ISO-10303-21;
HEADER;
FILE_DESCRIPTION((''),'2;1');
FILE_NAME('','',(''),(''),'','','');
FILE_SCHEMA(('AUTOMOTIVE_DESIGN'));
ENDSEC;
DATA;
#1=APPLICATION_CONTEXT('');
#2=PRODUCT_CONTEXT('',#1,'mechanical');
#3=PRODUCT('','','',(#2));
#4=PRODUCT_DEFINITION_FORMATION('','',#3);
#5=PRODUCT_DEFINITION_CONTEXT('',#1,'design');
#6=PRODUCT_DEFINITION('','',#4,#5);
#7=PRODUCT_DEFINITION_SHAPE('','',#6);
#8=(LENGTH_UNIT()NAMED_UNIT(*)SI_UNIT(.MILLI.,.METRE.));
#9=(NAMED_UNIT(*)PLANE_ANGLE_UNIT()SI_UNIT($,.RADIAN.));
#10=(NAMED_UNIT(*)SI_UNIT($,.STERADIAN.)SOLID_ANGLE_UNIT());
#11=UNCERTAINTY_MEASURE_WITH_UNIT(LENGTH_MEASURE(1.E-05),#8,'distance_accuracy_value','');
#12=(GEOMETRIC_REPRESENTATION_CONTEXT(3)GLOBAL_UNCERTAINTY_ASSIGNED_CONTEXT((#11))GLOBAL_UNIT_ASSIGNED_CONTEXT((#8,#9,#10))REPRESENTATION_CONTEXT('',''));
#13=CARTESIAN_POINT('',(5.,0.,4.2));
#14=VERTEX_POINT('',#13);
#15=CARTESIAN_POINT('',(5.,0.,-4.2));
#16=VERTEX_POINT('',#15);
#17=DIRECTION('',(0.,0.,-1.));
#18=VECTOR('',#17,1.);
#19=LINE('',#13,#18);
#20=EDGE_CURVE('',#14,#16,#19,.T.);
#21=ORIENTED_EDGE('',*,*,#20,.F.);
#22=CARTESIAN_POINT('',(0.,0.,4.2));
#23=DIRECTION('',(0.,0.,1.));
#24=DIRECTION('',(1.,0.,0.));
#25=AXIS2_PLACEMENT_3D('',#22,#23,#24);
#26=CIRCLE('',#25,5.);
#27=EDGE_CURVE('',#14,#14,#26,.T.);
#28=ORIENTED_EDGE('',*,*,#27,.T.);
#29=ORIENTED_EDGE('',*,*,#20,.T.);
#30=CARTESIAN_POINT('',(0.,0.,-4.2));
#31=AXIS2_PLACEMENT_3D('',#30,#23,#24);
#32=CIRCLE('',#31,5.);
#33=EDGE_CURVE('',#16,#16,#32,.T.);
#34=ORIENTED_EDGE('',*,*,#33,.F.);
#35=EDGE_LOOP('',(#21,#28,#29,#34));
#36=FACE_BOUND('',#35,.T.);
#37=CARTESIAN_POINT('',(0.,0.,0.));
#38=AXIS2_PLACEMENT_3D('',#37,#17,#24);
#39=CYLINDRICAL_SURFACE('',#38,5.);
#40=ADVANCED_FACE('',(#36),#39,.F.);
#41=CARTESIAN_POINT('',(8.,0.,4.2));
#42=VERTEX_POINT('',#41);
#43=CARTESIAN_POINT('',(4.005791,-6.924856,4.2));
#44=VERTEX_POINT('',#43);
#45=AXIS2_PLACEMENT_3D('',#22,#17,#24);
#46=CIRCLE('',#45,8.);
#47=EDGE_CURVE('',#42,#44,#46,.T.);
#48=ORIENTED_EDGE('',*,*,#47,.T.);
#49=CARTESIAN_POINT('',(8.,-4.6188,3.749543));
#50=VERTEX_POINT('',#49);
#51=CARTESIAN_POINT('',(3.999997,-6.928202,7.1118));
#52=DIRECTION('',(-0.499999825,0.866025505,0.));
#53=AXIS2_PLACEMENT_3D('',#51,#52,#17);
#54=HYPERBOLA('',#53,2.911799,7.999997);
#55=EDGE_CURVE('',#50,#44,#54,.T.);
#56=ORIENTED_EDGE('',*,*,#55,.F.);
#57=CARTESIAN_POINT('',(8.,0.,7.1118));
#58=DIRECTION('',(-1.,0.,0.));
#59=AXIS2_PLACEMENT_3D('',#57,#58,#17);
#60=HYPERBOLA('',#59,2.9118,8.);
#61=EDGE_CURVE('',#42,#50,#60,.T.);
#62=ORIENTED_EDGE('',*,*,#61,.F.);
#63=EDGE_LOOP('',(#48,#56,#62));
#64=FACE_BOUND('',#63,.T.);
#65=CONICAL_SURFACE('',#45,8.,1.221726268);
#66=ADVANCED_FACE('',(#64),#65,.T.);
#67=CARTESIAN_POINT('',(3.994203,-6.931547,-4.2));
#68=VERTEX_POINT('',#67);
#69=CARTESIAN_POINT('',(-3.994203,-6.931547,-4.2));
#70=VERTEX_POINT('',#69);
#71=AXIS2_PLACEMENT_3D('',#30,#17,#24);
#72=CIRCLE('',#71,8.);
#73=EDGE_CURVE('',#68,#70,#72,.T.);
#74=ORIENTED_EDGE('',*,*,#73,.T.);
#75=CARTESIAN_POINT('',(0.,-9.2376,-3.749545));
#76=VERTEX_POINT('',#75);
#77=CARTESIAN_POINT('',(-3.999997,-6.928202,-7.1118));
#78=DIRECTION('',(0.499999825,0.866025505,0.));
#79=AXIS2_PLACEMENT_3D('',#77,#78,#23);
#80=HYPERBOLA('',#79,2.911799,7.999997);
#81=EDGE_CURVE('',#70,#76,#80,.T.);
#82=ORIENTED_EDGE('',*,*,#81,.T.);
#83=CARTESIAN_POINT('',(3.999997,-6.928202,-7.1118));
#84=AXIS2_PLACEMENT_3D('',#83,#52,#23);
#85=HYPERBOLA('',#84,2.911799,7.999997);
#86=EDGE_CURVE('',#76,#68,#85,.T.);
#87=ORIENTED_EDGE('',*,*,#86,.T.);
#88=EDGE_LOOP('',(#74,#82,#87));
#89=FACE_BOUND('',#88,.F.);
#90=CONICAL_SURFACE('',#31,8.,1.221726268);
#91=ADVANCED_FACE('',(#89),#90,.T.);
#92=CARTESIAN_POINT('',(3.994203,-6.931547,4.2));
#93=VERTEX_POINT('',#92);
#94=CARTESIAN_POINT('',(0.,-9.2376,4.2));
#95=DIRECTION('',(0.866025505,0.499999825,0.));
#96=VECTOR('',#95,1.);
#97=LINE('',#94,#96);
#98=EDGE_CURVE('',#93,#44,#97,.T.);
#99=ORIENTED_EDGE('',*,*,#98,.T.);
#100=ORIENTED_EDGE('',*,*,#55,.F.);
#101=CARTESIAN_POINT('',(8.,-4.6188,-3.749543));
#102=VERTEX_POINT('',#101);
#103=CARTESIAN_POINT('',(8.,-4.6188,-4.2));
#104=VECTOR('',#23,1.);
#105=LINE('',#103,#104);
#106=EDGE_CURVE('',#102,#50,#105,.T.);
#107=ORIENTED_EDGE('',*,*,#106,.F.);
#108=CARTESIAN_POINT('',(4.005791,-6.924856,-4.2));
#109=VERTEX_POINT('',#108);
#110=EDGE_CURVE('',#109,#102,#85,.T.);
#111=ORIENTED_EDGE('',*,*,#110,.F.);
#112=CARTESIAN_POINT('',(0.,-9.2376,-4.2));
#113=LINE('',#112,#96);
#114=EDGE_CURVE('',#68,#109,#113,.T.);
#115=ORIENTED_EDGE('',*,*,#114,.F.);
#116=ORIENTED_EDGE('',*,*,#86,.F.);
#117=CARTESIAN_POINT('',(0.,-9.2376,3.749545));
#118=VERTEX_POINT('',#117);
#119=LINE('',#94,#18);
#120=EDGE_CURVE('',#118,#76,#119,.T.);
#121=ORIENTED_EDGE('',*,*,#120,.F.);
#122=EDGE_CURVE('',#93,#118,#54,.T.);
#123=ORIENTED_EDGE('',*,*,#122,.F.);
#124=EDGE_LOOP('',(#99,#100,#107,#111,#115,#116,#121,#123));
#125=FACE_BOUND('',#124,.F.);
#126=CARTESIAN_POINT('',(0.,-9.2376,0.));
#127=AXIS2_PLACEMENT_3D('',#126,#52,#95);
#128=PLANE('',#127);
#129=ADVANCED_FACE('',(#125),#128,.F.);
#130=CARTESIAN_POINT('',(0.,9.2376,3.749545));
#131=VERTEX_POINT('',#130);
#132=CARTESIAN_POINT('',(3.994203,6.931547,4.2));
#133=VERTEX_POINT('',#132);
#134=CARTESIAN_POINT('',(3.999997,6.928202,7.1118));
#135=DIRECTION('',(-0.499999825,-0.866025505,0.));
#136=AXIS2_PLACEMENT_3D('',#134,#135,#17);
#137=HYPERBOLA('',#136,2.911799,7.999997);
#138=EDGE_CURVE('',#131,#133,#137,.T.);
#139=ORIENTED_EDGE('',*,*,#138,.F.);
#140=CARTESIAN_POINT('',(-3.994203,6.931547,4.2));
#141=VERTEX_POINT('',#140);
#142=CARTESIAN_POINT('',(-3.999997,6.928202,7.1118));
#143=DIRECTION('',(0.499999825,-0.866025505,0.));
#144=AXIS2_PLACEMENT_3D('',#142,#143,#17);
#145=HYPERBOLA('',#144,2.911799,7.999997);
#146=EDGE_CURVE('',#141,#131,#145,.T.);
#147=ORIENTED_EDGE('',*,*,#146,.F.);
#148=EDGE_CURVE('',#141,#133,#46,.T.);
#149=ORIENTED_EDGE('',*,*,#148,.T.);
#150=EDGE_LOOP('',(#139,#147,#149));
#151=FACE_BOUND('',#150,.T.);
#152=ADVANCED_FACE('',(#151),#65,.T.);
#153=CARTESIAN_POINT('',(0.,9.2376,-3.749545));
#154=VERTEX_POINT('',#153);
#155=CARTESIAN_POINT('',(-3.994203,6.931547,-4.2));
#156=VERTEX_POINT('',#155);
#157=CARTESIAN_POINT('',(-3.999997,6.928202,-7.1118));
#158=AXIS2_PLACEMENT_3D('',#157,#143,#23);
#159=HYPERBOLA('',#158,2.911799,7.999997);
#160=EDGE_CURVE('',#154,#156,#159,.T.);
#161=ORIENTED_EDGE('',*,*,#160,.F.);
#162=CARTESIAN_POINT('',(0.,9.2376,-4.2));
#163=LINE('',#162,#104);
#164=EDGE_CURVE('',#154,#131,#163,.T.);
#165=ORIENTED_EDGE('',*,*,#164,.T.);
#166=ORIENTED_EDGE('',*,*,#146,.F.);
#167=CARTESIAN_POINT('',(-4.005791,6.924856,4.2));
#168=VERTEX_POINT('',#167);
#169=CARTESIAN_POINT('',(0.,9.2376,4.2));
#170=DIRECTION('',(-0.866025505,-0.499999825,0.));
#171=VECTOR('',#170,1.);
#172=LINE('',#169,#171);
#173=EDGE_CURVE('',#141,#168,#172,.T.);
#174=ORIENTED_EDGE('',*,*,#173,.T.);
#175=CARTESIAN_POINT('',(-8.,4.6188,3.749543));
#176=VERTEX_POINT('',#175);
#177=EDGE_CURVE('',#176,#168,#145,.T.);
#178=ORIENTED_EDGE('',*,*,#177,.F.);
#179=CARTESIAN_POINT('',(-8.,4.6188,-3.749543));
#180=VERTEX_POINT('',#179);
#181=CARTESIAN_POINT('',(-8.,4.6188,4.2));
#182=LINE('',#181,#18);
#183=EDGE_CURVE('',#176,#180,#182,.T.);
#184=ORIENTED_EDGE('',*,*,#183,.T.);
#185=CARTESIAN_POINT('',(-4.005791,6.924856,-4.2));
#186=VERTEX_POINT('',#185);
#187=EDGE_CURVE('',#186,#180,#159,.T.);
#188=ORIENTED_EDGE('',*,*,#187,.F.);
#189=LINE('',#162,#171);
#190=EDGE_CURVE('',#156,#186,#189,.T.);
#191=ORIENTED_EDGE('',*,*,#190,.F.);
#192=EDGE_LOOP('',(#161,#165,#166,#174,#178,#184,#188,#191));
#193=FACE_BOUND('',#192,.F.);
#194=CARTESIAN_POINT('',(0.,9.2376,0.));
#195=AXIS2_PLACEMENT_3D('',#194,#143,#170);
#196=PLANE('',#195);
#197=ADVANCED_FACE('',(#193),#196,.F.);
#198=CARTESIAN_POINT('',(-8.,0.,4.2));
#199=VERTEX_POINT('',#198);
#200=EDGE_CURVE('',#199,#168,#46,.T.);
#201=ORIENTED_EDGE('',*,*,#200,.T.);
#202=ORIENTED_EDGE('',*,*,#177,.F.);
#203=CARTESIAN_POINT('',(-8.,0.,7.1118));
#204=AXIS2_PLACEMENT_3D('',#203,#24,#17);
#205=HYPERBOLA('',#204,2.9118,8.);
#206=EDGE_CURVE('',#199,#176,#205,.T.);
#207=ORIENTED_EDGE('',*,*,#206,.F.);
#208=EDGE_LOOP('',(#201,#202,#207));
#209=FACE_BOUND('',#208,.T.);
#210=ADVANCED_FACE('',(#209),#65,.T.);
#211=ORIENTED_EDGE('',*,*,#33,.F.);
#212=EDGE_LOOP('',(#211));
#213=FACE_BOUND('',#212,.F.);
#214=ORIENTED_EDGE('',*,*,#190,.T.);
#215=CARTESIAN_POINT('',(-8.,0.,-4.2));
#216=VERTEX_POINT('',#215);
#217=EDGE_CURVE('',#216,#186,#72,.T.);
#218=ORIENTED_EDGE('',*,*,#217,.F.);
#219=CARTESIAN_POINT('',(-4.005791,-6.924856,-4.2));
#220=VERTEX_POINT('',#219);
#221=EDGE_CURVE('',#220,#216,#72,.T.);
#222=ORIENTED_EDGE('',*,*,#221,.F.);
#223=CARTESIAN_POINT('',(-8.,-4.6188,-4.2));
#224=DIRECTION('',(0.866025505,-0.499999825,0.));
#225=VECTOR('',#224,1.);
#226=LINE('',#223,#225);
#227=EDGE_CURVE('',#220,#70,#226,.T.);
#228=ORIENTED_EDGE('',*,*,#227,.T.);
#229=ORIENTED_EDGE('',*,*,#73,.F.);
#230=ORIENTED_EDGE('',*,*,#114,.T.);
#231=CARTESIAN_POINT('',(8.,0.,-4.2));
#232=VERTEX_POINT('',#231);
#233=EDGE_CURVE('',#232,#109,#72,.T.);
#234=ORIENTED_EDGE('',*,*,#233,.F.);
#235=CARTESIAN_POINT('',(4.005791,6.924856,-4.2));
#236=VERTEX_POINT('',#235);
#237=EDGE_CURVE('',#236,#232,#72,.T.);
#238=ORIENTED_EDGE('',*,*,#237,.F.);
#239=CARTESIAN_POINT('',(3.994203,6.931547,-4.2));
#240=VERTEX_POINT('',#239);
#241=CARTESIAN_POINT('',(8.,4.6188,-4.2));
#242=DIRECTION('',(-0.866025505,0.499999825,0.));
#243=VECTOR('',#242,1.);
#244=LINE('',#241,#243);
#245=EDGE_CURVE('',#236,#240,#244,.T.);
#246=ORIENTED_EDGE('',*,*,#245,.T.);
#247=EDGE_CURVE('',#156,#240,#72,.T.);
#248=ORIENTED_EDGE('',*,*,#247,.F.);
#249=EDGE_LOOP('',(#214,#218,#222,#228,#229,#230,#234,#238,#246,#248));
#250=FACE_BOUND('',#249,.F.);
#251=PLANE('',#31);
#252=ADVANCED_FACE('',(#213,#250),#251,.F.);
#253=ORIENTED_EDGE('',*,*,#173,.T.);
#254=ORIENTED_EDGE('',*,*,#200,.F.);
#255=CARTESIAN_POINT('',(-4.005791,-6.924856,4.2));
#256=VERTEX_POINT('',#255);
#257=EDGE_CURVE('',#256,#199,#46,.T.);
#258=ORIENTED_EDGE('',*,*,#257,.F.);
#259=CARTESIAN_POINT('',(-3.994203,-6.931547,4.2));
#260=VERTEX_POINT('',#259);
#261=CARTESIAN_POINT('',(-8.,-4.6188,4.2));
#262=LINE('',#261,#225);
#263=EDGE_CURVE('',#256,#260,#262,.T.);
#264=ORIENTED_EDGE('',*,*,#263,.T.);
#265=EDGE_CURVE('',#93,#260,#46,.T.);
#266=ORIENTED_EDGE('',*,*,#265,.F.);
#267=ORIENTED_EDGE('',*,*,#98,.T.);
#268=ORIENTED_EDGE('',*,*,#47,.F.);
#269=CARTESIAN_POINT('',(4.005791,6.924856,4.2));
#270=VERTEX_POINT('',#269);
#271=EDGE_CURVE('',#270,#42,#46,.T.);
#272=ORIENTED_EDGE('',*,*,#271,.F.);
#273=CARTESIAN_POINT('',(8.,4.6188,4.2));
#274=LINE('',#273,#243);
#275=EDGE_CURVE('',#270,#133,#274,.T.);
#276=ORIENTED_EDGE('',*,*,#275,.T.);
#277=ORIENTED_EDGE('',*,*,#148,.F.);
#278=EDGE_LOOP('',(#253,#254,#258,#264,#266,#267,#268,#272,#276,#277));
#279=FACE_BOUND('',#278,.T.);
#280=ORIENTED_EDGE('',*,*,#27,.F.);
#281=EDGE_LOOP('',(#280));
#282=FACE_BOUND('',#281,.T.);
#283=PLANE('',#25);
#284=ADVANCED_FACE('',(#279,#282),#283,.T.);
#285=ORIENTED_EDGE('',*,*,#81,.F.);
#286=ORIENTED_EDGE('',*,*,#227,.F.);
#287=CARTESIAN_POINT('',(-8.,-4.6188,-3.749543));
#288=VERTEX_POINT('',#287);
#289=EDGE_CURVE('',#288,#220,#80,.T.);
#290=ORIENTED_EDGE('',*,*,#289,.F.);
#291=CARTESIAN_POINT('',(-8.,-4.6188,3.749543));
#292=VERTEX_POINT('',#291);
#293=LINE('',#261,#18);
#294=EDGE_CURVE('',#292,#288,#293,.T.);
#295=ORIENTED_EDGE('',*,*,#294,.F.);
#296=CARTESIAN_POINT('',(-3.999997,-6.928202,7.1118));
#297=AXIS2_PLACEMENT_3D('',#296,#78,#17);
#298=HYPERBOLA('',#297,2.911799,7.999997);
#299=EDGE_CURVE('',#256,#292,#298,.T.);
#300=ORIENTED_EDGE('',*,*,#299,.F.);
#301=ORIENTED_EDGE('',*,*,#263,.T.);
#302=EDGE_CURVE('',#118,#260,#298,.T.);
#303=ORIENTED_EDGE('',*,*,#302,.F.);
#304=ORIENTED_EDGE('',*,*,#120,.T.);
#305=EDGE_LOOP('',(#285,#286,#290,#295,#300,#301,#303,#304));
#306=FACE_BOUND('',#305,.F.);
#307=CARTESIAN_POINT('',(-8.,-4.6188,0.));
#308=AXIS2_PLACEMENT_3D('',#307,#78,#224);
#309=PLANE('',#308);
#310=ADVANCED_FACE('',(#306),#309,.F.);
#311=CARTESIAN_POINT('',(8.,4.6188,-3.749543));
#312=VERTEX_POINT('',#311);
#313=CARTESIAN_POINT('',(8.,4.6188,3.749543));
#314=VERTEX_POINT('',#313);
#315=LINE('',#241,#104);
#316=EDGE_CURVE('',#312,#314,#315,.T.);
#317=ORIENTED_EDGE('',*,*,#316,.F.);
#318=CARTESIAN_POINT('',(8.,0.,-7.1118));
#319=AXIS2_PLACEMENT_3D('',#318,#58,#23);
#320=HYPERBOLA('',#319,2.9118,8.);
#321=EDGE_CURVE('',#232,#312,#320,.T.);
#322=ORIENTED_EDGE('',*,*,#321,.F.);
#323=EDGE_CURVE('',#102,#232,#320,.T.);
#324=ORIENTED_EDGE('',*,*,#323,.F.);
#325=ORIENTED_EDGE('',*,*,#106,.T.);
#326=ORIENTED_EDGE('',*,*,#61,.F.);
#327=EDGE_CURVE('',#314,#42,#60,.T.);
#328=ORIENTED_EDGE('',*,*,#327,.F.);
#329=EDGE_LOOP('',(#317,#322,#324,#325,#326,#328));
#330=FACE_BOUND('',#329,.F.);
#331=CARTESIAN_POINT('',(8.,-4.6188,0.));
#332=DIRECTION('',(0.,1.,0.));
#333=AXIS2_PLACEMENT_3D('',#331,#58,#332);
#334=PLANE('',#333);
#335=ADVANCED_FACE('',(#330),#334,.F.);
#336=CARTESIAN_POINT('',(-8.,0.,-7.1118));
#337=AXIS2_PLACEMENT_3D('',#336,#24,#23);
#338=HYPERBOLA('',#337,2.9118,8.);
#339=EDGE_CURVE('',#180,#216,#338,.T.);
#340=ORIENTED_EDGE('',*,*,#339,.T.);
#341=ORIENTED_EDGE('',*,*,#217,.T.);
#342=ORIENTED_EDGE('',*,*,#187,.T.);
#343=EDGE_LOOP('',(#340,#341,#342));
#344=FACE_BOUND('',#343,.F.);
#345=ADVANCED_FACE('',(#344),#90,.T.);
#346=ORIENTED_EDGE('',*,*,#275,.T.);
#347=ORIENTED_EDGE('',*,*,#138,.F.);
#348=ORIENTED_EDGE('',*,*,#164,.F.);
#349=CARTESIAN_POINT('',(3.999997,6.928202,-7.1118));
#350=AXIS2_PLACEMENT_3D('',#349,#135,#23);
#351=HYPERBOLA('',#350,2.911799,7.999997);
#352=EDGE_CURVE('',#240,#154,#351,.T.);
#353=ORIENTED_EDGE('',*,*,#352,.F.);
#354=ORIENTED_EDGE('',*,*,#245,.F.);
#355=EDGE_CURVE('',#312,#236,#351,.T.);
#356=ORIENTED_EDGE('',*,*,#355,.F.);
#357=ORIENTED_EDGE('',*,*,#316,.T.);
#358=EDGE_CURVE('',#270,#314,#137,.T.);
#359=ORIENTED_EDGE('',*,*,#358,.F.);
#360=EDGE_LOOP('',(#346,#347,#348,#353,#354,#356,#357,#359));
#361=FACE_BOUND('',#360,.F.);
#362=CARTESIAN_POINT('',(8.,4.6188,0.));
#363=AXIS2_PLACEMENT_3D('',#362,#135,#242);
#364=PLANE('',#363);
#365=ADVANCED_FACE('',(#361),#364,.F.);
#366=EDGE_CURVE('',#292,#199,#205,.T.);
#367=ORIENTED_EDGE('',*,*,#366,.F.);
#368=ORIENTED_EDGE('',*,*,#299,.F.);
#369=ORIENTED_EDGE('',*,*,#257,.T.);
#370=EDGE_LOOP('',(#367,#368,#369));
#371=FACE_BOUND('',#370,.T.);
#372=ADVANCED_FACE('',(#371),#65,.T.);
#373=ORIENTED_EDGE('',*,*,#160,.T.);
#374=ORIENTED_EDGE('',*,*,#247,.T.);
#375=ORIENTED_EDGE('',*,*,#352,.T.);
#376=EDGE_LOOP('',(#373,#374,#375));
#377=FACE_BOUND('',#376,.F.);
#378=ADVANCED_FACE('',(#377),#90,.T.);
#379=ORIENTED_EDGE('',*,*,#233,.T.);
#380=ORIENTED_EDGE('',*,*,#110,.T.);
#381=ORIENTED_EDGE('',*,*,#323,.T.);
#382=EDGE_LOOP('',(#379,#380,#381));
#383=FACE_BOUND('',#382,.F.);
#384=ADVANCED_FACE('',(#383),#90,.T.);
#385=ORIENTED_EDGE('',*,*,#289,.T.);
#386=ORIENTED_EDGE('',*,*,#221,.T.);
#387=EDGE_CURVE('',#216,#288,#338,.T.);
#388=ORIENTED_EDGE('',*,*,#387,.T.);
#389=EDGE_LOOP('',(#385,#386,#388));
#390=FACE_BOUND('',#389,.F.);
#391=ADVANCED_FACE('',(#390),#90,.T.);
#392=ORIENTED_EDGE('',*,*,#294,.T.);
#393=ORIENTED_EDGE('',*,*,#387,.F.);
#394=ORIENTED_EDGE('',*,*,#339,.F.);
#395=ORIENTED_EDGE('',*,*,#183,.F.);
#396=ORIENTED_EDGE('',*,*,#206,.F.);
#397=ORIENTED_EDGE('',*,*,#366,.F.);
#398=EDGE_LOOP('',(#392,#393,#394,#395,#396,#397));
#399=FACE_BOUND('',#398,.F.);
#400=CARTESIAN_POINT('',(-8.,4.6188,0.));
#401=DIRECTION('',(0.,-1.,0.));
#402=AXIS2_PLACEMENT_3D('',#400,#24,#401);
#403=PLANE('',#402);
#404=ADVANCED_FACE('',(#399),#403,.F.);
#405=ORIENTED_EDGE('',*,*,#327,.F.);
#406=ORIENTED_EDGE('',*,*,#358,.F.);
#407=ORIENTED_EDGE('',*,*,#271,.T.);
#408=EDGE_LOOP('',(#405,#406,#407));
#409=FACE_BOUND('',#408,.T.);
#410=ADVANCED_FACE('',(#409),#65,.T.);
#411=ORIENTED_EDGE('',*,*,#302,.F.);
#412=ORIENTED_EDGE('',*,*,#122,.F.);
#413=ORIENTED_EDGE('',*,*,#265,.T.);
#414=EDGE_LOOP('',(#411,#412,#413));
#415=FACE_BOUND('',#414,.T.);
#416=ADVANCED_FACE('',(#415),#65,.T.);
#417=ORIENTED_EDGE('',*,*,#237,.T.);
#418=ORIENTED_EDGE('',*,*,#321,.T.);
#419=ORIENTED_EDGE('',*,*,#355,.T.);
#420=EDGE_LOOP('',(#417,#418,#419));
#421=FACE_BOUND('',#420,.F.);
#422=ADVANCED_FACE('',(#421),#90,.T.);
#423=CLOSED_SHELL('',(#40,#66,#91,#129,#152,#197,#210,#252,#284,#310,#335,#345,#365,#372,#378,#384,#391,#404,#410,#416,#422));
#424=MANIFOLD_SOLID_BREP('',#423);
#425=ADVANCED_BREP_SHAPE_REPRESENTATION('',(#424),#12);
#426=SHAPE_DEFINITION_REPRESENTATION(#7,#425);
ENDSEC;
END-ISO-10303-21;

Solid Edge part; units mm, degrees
sketch "Sketch1" plane through (0, 0, 0) normal (0, 0, 1) x (1, 0, 0)
  line L0 (0, -9.2376) -> (8, -4.6188)
  line L1 (8, -4.6188) -> (8, 4.6188)
  line L2 (8, 4.6188) -> (0, 9.2376)
  line L3 (0, 9.2376) -> (-8, 4.6188)
  line L4 (-8, 4.6188) -> (-8, -4.6188)
  line L5 (-8, -4.6188) -> (0, -9.2376)
  circle A0 centre (0, 0) radius 5
  dimension "D1" = 16
  dimension "D2" = 10
extrude "Protrusion1" add sketch "Sketch1" along normal mid plane 8.4
sketch "Sketch2" plane through (0, 0, 0) normal (0, -1, 0) x (1, 0, 0)
  line L0 (8, 4.2) -> (0, 7.1118)
revolve "RevolvedCutout1" cut sketch "Sketch2" angle 360 about axis through (0, 0, 6.3658) along (0, 0, -1) material side at (4.0171, 0, 5.7029)
mirror "Mirror1" about plane through (0, 0, 0) normal (0, 0, 1) of "RevolvedCutout1"
